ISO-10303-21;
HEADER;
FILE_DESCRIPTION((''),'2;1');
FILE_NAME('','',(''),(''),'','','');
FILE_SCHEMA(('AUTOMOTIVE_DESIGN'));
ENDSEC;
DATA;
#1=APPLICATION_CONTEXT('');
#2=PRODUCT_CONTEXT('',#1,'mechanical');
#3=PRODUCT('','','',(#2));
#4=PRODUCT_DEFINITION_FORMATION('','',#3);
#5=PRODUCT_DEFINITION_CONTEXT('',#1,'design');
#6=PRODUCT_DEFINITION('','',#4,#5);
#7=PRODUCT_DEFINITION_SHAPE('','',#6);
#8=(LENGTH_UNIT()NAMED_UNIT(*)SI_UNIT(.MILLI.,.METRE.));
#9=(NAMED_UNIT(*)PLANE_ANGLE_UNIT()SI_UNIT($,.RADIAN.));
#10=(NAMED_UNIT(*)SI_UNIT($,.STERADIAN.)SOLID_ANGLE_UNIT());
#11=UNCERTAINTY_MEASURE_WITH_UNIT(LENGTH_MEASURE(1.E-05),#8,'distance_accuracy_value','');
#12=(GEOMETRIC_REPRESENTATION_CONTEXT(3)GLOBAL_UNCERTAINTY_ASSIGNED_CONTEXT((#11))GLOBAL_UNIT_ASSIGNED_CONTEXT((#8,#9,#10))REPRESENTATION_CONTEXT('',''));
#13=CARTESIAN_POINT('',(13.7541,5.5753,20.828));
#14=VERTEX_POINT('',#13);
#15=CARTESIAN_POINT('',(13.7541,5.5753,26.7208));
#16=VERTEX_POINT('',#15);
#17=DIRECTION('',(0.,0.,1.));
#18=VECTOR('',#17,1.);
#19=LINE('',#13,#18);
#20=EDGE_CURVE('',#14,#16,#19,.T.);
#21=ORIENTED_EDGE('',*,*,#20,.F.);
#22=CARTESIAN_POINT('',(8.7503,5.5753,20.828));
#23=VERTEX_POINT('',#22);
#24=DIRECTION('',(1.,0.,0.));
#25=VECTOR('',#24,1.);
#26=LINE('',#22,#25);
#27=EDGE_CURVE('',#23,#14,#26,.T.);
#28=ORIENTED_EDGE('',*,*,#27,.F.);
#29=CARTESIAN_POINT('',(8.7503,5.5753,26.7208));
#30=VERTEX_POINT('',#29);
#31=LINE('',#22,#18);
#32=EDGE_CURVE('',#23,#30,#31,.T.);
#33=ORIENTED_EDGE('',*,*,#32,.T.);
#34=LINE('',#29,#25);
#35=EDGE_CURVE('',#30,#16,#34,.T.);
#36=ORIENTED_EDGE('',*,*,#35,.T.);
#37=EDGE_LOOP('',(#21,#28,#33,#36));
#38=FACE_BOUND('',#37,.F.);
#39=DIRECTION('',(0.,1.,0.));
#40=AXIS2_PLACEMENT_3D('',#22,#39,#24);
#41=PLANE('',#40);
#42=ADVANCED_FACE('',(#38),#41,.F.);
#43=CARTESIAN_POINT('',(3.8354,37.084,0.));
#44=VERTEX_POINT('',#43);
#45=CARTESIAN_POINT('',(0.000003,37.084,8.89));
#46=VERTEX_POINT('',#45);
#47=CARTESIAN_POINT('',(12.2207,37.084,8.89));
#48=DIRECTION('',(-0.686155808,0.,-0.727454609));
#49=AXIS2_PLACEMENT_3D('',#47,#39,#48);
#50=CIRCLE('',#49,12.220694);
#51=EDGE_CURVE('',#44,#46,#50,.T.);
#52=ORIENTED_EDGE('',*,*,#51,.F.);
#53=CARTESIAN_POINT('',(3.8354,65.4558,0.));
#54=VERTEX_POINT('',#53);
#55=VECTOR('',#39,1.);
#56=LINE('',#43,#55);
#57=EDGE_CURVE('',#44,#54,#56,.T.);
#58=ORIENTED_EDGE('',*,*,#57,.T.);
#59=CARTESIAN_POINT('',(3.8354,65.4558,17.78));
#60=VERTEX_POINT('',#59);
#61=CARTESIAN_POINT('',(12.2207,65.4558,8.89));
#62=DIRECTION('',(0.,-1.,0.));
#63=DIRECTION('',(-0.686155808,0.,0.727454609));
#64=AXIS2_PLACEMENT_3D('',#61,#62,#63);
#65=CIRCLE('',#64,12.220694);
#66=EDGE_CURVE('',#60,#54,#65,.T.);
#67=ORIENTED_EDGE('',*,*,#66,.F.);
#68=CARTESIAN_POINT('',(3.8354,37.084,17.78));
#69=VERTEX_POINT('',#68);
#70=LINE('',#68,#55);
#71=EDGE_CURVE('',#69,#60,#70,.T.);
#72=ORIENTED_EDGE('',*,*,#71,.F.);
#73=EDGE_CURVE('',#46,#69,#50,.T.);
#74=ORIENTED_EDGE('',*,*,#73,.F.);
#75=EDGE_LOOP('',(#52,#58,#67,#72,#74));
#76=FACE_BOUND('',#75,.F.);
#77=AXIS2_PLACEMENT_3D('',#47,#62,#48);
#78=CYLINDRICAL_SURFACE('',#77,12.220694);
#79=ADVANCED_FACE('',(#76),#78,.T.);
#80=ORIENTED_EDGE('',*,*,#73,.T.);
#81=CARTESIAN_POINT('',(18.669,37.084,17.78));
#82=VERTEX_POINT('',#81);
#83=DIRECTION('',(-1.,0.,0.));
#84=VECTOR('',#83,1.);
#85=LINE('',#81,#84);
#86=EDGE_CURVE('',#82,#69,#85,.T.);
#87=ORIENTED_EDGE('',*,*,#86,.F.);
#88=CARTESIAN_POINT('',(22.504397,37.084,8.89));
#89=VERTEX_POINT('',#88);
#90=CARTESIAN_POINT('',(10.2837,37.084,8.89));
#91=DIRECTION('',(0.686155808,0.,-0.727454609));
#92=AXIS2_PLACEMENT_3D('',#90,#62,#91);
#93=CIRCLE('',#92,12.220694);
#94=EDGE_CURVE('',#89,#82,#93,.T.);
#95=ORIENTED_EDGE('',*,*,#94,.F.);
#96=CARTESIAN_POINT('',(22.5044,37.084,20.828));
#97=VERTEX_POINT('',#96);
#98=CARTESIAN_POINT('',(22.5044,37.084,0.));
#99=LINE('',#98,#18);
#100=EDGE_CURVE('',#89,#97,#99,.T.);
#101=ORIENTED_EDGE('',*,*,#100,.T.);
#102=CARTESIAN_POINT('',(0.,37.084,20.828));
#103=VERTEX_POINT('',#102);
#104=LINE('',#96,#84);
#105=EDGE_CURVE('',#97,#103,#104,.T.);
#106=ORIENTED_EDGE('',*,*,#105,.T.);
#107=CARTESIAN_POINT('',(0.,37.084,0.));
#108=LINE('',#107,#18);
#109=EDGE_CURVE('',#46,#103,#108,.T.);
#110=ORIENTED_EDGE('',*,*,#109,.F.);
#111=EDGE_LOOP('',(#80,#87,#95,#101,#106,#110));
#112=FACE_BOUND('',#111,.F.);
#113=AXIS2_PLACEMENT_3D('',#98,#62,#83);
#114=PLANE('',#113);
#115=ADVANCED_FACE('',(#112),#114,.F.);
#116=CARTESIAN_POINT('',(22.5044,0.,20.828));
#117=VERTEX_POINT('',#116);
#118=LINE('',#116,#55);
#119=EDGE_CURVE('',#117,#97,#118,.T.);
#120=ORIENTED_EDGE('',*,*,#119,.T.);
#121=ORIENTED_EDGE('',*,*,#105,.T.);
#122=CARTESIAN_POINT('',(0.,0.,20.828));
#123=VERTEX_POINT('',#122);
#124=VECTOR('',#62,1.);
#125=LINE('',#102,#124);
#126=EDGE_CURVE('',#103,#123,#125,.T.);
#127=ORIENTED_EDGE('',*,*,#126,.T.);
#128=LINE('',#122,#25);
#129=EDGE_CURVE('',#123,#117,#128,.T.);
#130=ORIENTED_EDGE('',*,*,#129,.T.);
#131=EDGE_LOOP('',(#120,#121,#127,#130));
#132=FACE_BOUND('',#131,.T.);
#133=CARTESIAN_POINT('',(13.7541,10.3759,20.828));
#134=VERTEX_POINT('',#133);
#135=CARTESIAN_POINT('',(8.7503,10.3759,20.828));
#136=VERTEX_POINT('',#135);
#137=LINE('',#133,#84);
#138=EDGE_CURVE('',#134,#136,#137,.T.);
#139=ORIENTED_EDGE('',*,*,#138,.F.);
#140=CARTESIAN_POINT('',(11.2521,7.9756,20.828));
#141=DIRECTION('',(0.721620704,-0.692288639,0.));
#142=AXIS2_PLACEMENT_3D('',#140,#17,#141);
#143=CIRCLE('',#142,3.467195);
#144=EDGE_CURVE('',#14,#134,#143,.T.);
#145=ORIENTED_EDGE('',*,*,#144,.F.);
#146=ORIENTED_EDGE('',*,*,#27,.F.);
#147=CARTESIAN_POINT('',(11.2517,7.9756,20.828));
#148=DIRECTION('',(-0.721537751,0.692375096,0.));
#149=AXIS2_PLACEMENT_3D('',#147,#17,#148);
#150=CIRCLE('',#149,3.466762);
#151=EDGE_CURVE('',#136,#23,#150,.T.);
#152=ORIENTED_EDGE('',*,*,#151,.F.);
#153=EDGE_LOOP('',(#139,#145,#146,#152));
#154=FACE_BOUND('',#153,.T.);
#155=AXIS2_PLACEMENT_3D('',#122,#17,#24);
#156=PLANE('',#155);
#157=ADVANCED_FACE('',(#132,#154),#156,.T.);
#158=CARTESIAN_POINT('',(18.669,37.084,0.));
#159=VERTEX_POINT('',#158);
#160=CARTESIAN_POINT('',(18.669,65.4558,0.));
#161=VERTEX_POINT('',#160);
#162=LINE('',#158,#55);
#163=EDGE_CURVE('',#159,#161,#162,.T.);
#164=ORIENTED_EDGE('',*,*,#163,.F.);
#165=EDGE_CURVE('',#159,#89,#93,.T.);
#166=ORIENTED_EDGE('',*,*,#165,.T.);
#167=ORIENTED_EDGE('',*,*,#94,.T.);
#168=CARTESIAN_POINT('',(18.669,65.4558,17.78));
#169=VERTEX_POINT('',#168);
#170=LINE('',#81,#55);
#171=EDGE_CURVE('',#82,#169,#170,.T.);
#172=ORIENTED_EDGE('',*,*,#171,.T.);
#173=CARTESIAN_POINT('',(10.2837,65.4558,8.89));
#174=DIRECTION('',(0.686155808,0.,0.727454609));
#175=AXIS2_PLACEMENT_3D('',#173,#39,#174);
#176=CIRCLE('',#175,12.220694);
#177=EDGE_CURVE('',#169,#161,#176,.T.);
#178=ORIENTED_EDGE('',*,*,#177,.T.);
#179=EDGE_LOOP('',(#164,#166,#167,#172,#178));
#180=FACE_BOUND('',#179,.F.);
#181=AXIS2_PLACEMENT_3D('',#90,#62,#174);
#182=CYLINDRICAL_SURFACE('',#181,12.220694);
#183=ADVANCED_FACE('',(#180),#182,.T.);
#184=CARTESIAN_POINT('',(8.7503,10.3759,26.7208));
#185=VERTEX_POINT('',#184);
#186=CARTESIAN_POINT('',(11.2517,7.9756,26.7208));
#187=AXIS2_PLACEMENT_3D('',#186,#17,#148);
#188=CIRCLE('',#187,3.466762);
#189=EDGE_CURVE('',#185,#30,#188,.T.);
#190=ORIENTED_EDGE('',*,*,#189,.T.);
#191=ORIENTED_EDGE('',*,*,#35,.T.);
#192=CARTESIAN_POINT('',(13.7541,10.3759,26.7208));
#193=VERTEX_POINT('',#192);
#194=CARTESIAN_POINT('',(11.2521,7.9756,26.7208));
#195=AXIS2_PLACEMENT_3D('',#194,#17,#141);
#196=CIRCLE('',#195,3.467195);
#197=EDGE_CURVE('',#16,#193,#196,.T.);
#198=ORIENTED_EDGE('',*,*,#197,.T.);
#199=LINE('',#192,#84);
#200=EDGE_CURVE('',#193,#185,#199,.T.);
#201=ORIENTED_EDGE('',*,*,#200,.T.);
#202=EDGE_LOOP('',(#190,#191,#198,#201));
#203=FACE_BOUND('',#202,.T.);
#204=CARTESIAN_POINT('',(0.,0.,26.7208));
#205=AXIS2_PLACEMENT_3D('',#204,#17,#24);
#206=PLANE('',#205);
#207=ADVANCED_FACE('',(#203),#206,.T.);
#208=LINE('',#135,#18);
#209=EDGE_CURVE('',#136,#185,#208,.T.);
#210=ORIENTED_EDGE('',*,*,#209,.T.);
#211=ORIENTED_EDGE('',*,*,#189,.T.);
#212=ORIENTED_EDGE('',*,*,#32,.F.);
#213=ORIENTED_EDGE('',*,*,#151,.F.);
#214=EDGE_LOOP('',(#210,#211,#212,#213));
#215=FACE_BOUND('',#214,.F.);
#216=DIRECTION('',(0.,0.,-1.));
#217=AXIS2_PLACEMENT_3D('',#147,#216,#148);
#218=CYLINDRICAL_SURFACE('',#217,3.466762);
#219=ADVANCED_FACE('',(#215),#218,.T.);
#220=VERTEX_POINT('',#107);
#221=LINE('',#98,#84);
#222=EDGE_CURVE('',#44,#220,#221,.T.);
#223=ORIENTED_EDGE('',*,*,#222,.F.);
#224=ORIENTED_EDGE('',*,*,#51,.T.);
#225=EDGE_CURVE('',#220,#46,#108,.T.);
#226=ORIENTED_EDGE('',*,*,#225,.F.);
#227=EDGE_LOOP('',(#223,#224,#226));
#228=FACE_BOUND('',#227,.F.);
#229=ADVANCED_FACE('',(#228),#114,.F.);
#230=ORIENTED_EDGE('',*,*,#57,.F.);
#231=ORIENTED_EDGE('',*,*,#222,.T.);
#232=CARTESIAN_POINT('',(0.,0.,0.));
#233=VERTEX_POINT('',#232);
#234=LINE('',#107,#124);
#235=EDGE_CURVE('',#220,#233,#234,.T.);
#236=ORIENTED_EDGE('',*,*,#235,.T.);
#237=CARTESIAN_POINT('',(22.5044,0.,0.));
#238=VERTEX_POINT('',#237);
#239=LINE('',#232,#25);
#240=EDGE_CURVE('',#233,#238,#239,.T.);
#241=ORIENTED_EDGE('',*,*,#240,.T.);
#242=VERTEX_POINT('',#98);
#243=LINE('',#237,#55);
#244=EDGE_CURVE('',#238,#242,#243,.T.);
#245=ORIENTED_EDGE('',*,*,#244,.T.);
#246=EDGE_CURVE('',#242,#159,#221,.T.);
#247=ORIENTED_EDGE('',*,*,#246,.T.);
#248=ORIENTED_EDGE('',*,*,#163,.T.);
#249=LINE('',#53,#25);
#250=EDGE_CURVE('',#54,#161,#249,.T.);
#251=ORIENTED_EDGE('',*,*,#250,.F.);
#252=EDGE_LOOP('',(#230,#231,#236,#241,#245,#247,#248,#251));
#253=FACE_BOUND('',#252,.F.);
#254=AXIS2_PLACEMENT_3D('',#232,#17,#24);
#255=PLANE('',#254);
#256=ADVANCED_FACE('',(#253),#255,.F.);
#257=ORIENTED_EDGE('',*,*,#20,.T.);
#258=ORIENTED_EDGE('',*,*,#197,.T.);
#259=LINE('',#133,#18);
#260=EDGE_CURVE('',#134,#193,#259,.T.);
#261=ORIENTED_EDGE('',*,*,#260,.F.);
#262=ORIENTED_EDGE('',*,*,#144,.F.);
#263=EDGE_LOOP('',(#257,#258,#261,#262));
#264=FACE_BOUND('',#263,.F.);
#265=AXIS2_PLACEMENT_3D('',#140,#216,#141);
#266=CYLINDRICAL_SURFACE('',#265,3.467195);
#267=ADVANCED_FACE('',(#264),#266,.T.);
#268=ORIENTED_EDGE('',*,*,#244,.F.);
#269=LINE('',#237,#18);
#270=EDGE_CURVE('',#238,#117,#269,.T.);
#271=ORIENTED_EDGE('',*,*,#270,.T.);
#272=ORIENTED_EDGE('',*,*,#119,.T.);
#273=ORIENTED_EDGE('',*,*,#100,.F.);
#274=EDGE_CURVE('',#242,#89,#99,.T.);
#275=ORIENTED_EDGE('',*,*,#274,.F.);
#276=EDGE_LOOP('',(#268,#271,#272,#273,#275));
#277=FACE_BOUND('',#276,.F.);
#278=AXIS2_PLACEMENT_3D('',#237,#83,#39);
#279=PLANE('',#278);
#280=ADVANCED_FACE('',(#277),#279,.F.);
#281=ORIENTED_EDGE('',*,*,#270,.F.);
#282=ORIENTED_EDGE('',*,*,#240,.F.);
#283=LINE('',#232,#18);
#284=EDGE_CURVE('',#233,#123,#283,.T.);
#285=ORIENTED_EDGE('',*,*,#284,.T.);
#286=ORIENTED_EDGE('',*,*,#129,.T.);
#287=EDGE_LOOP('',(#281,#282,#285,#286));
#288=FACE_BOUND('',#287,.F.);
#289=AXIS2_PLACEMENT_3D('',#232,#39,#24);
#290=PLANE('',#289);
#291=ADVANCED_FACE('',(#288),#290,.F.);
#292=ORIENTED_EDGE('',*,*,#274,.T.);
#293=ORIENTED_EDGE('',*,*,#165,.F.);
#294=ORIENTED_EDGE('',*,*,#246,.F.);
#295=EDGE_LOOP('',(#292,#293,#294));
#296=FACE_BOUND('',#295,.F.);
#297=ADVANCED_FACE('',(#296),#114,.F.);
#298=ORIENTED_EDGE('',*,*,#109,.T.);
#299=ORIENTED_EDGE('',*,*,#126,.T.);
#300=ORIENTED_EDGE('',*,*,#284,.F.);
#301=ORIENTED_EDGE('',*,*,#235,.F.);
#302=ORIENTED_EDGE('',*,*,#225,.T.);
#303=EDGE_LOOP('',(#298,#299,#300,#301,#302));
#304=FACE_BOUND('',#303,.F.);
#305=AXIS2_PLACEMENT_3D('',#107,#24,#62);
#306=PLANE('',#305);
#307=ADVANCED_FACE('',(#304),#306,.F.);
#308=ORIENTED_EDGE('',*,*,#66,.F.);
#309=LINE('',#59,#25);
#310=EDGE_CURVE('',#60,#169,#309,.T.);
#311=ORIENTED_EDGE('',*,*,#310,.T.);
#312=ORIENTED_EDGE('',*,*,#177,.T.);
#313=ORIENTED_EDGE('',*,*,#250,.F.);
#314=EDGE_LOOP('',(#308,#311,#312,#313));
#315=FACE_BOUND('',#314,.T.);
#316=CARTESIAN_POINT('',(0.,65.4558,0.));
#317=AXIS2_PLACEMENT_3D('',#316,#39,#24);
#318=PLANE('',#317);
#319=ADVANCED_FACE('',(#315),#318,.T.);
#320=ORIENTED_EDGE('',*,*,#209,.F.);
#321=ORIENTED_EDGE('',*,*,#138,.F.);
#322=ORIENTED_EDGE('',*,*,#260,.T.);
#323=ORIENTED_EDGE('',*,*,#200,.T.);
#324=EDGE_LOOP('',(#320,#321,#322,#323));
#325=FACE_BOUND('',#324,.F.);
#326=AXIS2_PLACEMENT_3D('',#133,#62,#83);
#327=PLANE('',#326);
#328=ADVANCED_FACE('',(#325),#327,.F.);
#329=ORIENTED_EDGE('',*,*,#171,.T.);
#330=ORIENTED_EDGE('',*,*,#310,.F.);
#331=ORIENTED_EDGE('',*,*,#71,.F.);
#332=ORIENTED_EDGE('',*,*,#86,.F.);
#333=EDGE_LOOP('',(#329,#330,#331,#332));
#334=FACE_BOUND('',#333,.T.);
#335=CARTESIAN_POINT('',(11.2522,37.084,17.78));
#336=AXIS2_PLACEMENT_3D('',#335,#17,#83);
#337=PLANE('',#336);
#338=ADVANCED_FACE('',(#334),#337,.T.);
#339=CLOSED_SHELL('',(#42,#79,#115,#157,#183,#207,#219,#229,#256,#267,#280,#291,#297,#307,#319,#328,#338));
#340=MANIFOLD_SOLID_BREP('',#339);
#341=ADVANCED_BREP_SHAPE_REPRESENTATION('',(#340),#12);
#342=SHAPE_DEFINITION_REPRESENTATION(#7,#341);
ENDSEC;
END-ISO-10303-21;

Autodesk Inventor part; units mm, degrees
ref_plane "YZ Plane" through (0, 0, 0) normal (1, 0, 0) x (0, 1, 0)
ref_plane "XZ Plane" through (0, 0, 0) normal (0, 1, 0) x (-1, 0, 0)
ref_plane "XY Plane" through (0, 0, 0) normal (0, 0, 1) x (1, 0, 0)
sketch "Sketch1" plane through (0, 0, 0) normal (0, 0, 1) x (1, 0, 0)
  line L0 (0, 0) -> (22.5044, 0)
  line L1 (22.5044, 0) -> (22.5044, 37.084)
  line L2 (22.5044, 37.084) -> (0, 37.084)
  line L3 (0, 37.084) -> (0, 0)
  dimension "d0" = 22.5044
  dimension "d1" = 37.084
extrude "Extrusion1" add sketch "Sketch1" along normal blind 20.828
sketch "Sketch2" plane through (0, 37.084, 0) normal (0, 1, 0) x (1, 0, 0)
  line L0 (0, 0) -> (22.5044, 0) projected
  line L1 (11.2522, 0) -> (11.2522, -8.89)
  line L2 (11.2522, -8.89) -> (11.2522, -17.78)
  line L3 (11.2522, -17.78) -> (3.8354, -17.78)
  line L4 (11.2522, -17.78) -> (18.669, -17.78)
  arc A0 (3.8354, 0) -> (3.8354, -17.78) centre (12.2207, -8.89) ccw
  line L5 (0, 0) -> (0, -20.828) projected
  arc A1 (18.669, -17.78) -> (18.669, 0) centre (10.2837, -8.89) ccw
  line L6 (22.5044, 0) -> (22.5044, -20.828) projected
  line L7 (3.8354, 0) -> (18.669, 0)
  dimension "d4" = 8.89
  dimension "d5" = 8.89
  dimension "d6" = 7.4168
  dimension "d7" = 7.4168
extrude "Extrusion2" add sketch "Sketch2" along normal blind 28.3718 contours L0 L1 L2 L3 A0 | L0 A1 L4 L2 L1
sketch "Sketch3" plane through (0, 0, 20.828) normal (0, 0, 1) x (1, 0, 0)
  line L0 (22.5044, 0) -> (22.5044, 37.084) projected
  line L1 (0, 0) -> (22.5044, 0) projected
  line L2 (13.7541, 10.3759) -> (8.7503, 10.3759)
  line L3 (8.7503, 5.5753) -> (13.7541, 5.5753)
  line L4 (13.7541, 10.3759) -> (8.7503, 5.5753) construction
  line L5 (8.7503, 10.3759) -> (13.7541, 5.5753) construction
  line L6 (0, 37.084) -> (0, 0) projected
  arc A0 (13.7541, 5.5753) -> (13.7541, 10.3759) centre (11.2521, 7.9756) ccw
  arc A1 (8.7503, 10.3759) -> (8.7503, 5.5753) centre (11.2517, 7.9756) ccw
  point P0 (11.2522, 7.9756)
  dimension "d21" = 5.0038
  dimension "d22" = 4.8006
extrude "Extrusion3" add sketch "Sketch3" along normal blind 5.8928
sketch "Sketch4" plane through (0, 0, 0) normal (0, 0, -1) x (-1, 0, 0)
  circle A0 centre (-11.2521, 18.9738) radius 3.4672
  point P0 (0, 0)
properties part number "Motor"
